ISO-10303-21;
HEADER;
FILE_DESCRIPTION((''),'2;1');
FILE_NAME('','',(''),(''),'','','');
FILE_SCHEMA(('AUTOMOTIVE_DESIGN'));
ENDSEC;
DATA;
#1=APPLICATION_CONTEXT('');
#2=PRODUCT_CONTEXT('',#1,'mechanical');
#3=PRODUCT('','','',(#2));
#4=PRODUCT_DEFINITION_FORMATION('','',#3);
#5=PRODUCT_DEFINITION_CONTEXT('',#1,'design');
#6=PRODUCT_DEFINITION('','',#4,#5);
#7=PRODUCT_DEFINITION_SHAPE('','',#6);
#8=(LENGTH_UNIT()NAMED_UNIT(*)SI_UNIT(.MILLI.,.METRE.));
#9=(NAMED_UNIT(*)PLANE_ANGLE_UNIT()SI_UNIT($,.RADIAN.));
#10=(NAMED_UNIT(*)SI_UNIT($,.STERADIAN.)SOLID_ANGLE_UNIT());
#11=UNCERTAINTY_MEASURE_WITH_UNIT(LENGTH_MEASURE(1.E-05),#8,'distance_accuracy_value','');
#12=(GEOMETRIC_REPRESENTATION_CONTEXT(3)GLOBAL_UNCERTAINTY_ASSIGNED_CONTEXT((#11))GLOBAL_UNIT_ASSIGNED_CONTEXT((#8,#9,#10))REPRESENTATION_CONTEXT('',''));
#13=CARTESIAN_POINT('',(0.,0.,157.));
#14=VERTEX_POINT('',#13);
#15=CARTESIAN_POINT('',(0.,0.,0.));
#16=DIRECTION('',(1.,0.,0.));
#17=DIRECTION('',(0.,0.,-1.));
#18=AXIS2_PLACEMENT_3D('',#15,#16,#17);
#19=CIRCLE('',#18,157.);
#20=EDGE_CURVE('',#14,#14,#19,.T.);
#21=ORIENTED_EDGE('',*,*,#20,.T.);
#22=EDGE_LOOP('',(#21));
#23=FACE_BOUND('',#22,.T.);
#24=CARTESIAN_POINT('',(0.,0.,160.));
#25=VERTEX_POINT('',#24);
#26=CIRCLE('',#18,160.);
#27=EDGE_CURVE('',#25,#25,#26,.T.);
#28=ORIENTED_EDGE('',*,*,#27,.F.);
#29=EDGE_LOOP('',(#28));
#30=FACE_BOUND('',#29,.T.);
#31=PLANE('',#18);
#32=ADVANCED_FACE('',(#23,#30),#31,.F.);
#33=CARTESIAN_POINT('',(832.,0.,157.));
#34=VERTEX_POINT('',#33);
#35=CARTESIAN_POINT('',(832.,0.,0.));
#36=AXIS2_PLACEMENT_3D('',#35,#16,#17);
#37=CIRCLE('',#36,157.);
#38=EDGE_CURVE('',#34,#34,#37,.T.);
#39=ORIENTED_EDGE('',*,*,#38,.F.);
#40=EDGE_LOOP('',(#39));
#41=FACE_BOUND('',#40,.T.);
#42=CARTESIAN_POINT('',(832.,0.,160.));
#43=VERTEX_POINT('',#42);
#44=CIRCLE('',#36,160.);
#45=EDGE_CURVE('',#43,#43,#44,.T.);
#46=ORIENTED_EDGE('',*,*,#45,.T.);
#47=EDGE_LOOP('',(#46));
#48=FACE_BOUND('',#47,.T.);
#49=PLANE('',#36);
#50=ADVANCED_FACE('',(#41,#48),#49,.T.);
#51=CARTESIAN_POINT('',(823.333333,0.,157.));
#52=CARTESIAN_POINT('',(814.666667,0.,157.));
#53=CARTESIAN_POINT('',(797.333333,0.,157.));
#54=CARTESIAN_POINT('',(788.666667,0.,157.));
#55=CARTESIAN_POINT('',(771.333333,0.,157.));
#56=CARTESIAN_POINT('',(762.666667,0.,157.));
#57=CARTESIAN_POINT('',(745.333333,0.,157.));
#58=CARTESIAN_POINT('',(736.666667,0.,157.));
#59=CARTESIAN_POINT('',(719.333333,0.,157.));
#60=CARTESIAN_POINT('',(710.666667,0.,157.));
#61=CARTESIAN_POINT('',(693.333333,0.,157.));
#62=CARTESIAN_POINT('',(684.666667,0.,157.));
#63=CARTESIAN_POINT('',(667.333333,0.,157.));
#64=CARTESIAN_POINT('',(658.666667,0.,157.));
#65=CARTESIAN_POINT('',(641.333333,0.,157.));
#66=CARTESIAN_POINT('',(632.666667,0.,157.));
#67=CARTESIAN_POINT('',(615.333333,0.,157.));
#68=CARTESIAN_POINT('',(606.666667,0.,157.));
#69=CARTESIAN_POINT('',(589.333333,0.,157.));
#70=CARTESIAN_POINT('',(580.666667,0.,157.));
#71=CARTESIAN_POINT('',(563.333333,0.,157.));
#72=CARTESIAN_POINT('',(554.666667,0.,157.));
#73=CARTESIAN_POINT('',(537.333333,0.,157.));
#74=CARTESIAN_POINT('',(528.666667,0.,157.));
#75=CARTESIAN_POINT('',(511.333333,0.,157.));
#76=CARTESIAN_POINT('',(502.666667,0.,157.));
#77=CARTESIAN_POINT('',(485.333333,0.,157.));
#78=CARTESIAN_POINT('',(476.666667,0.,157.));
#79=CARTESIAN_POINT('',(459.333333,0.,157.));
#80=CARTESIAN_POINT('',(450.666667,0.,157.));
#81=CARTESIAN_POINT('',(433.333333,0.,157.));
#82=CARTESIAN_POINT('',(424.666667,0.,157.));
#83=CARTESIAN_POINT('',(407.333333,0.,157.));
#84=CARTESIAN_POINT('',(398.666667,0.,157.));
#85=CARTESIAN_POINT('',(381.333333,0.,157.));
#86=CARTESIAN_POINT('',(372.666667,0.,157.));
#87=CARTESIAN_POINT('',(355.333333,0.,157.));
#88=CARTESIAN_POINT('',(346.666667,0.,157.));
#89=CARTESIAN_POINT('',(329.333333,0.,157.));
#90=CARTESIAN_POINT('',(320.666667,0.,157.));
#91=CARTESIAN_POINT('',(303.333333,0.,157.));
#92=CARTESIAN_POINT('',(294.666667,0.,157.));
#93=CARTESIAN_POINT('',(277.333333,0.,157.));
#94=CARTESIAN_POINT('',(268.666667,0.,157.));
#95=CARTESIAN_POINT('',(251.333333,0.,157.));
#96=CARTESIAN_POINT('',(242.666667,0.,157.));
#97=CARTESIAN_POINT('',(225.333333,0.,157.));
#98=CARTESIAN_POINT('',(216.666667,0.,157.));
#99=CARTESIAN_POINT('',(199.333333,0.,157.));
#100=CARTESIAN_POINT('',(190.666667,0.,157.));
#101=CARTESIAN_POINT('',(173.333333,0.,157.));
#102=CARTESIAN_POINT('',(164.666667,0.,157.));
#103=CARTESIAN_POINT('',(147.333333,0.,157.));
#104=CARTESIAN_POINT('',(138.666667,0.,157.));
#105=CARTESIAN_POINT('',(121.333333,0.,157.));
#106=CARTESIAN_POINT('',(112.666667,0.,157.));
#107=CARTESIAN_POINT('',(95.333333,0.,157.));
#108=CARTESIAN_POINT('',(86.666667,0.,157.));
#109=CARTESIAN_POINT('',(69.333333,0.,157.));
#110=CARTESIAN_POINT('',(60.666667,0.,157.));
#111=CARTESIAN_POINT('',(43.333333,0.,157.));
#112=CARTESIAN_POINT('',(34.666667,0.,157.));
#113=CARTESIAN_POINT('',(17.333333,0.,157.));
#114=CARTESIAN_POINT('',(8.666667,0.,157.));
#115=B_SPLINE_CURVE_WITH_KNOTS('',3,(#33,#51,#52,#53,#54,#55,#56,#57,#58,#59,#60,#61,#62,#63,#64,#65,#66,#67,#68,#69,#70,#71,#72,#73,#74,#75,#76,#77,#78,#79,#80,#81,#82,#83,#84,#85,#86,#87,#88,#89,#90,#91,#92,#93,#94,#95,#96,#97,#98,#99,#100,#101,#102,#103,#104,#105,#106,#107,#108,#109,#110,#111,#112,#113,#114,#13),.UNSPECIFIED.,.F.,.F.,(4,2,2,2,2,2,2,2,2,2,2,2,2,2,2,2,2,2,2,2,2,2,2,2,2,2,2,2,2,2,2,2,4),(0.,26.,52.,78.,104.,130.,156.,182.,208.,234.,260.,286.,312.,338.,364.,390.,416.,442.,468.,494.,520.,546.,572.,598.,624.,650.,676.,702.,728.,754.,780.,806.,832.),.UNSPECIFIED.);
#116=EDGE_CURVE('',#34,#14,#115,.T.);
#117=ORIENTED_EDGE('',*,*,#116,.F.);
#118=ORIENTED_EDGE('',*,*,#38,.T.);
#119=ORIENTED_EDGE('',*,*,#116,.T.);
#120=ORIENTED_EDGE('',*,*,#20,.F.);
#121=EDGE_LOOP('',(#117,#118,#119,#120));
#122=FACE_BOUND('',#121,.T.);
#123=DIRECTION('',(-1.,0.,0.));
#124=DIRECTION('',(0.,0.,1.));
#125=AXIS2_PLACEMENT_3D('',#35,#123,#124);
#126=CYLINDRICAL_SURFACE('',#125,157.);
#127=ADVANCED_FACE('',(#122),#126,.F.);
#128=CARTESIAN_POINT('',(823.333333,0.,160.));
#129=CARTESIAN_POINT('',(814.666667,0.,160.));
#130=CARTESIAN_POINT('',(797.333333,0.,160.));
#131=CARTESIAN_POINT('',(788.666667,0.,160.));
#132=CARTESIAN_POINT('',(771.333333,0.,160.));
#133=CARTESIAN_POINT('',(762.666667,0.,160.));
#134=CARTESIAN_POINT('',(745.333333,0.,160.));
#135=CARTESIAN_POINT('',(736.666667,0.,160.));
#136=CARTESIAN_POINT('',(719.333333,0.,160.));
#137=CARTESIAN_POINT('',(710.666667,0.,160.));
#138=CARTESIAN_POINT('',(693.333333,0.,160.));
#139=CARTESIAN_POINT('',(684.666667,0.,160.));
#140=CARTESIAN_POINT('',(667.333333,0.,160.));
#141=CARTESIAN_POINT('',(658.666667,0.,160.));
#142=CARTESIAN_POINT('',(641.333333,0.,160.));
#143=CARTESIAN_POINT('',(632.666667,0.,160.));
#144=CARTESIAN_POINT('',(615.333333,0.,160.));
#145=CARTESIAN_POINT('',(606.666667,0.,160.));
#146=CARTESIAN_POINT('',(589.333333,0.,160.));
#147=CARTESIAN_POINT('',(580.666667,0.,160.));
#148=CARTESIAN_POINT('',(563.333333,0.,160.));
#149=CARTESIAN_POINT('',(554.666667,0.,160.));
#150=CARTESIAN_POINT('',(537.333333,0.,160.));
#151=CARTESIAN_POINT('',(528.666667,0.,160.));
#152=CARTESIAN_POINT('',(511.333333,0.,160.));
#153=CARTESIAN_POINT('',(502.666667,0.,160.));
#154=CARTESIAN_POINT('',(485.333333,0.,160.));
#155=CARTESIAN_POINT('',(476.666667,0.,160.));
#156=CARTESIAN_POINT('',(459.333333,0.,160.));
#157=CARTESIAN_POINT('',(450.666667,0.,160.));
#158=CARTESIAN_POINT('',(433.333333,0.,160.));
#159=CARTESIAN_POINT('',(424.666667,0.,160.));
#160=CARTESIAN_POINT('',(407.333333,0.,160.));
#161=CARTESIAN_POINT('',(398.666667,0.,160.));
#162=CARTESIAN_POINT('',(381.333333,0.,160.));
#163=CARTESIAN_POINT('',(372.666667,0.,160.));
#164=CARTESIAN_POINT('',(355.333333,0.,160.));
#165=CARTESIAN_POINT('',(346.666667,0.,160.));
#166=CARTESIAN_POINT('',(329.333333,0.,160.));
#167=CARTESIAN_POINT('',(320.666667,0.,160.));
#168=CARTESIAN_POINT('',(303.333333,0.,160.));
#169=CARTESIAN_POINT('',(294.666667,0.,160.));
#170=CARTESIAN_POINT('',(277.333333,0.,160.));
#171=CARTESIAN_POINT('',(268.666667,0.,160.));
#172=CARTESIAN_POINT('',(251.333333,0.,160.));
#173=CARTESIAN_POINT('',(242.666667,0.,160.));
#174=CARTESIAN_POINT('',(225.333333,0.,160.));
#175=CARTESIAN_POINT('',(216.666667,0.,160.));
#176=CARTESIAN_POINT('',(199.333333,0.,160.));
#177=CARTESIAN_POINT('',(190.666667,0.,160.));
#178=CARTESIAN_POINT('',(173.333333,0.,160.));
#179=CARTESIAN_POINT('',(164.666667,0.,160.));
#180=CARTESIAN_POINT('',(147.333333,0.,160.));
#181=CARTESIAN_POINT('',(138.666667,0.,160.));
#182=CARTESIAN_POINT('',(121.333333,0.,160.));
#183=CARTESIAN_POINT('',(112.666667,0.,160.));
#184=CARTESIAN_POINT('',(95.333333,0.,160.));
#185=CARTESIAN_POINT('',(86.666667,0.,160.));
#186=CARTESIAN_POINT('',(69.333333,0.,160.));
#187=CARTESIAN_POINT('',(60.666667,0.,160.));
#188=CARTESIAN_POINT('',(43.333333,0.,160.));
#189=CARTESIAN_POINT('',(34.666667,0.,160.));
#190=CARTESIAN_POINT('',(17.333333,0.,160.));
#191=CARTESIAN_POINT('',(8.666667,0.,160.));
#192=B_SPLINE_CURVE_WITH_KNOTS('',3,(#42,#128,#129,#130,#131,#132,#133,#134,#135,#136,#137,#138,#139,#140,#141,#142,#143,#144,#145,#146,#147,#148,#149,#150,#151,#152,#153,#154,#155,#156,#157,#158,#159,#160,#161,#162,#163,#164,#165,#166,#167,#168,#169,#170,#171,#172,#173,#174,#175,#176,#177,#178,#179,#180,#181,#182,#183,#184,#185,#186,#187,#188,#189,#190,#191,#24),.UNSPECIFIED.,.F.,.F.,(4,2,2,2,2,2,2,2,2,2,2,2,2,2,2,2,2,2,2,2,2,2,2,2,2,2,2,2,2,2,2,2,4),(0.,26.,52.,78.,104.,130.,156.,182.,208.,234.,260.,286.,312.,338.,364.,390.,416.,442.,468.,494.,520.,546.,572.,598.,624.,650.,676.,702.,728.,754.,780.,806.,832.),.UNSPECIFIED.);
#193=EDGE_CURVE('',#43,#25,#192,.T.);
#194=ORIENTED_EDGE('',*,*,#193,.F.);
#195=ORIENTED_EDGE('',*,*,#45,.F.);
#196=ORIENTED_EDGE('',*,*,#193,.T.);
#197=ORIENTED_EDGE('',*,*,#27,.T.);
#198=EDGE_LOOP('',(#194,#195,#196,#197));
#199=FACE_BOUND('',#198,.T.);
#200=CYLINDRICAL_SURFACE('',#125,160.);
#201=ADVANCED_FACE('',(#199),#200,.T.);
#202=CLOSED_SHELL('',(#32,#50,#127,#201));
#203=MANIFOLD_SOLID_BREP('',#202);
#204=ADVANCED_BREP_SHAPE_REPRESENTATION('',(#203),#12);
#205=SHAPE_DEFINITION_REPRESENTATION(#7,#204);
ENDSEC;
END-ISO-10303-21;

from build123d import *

# Parameters (mm, degrees)
SKETCH_2_R      = 160
SKETCH_2_R_2    = 157
EXTRUDE_1_DEPTH = 832


with BuildPart() as part:
    # 草图2 → 凸台-拉伸1 (new body)
    with BuildSketch(Plane(origin=(0, 0, 0), x_dir=(0, 0, -1), z_dir=(1, 0, 0))):
        with Locations(Location((0, 0, 0), (0, 0, 180))):
            Circle(SKETCH_2_R)
        with Locations(Location((0, 0, 0), (0, 0, 180))):
            Circle(SKETCH_2_R_2, mode=Mode.SUBTRACT)
    extrude(amount=EXTRUDE_1_DEPTH)


solid = part.part
